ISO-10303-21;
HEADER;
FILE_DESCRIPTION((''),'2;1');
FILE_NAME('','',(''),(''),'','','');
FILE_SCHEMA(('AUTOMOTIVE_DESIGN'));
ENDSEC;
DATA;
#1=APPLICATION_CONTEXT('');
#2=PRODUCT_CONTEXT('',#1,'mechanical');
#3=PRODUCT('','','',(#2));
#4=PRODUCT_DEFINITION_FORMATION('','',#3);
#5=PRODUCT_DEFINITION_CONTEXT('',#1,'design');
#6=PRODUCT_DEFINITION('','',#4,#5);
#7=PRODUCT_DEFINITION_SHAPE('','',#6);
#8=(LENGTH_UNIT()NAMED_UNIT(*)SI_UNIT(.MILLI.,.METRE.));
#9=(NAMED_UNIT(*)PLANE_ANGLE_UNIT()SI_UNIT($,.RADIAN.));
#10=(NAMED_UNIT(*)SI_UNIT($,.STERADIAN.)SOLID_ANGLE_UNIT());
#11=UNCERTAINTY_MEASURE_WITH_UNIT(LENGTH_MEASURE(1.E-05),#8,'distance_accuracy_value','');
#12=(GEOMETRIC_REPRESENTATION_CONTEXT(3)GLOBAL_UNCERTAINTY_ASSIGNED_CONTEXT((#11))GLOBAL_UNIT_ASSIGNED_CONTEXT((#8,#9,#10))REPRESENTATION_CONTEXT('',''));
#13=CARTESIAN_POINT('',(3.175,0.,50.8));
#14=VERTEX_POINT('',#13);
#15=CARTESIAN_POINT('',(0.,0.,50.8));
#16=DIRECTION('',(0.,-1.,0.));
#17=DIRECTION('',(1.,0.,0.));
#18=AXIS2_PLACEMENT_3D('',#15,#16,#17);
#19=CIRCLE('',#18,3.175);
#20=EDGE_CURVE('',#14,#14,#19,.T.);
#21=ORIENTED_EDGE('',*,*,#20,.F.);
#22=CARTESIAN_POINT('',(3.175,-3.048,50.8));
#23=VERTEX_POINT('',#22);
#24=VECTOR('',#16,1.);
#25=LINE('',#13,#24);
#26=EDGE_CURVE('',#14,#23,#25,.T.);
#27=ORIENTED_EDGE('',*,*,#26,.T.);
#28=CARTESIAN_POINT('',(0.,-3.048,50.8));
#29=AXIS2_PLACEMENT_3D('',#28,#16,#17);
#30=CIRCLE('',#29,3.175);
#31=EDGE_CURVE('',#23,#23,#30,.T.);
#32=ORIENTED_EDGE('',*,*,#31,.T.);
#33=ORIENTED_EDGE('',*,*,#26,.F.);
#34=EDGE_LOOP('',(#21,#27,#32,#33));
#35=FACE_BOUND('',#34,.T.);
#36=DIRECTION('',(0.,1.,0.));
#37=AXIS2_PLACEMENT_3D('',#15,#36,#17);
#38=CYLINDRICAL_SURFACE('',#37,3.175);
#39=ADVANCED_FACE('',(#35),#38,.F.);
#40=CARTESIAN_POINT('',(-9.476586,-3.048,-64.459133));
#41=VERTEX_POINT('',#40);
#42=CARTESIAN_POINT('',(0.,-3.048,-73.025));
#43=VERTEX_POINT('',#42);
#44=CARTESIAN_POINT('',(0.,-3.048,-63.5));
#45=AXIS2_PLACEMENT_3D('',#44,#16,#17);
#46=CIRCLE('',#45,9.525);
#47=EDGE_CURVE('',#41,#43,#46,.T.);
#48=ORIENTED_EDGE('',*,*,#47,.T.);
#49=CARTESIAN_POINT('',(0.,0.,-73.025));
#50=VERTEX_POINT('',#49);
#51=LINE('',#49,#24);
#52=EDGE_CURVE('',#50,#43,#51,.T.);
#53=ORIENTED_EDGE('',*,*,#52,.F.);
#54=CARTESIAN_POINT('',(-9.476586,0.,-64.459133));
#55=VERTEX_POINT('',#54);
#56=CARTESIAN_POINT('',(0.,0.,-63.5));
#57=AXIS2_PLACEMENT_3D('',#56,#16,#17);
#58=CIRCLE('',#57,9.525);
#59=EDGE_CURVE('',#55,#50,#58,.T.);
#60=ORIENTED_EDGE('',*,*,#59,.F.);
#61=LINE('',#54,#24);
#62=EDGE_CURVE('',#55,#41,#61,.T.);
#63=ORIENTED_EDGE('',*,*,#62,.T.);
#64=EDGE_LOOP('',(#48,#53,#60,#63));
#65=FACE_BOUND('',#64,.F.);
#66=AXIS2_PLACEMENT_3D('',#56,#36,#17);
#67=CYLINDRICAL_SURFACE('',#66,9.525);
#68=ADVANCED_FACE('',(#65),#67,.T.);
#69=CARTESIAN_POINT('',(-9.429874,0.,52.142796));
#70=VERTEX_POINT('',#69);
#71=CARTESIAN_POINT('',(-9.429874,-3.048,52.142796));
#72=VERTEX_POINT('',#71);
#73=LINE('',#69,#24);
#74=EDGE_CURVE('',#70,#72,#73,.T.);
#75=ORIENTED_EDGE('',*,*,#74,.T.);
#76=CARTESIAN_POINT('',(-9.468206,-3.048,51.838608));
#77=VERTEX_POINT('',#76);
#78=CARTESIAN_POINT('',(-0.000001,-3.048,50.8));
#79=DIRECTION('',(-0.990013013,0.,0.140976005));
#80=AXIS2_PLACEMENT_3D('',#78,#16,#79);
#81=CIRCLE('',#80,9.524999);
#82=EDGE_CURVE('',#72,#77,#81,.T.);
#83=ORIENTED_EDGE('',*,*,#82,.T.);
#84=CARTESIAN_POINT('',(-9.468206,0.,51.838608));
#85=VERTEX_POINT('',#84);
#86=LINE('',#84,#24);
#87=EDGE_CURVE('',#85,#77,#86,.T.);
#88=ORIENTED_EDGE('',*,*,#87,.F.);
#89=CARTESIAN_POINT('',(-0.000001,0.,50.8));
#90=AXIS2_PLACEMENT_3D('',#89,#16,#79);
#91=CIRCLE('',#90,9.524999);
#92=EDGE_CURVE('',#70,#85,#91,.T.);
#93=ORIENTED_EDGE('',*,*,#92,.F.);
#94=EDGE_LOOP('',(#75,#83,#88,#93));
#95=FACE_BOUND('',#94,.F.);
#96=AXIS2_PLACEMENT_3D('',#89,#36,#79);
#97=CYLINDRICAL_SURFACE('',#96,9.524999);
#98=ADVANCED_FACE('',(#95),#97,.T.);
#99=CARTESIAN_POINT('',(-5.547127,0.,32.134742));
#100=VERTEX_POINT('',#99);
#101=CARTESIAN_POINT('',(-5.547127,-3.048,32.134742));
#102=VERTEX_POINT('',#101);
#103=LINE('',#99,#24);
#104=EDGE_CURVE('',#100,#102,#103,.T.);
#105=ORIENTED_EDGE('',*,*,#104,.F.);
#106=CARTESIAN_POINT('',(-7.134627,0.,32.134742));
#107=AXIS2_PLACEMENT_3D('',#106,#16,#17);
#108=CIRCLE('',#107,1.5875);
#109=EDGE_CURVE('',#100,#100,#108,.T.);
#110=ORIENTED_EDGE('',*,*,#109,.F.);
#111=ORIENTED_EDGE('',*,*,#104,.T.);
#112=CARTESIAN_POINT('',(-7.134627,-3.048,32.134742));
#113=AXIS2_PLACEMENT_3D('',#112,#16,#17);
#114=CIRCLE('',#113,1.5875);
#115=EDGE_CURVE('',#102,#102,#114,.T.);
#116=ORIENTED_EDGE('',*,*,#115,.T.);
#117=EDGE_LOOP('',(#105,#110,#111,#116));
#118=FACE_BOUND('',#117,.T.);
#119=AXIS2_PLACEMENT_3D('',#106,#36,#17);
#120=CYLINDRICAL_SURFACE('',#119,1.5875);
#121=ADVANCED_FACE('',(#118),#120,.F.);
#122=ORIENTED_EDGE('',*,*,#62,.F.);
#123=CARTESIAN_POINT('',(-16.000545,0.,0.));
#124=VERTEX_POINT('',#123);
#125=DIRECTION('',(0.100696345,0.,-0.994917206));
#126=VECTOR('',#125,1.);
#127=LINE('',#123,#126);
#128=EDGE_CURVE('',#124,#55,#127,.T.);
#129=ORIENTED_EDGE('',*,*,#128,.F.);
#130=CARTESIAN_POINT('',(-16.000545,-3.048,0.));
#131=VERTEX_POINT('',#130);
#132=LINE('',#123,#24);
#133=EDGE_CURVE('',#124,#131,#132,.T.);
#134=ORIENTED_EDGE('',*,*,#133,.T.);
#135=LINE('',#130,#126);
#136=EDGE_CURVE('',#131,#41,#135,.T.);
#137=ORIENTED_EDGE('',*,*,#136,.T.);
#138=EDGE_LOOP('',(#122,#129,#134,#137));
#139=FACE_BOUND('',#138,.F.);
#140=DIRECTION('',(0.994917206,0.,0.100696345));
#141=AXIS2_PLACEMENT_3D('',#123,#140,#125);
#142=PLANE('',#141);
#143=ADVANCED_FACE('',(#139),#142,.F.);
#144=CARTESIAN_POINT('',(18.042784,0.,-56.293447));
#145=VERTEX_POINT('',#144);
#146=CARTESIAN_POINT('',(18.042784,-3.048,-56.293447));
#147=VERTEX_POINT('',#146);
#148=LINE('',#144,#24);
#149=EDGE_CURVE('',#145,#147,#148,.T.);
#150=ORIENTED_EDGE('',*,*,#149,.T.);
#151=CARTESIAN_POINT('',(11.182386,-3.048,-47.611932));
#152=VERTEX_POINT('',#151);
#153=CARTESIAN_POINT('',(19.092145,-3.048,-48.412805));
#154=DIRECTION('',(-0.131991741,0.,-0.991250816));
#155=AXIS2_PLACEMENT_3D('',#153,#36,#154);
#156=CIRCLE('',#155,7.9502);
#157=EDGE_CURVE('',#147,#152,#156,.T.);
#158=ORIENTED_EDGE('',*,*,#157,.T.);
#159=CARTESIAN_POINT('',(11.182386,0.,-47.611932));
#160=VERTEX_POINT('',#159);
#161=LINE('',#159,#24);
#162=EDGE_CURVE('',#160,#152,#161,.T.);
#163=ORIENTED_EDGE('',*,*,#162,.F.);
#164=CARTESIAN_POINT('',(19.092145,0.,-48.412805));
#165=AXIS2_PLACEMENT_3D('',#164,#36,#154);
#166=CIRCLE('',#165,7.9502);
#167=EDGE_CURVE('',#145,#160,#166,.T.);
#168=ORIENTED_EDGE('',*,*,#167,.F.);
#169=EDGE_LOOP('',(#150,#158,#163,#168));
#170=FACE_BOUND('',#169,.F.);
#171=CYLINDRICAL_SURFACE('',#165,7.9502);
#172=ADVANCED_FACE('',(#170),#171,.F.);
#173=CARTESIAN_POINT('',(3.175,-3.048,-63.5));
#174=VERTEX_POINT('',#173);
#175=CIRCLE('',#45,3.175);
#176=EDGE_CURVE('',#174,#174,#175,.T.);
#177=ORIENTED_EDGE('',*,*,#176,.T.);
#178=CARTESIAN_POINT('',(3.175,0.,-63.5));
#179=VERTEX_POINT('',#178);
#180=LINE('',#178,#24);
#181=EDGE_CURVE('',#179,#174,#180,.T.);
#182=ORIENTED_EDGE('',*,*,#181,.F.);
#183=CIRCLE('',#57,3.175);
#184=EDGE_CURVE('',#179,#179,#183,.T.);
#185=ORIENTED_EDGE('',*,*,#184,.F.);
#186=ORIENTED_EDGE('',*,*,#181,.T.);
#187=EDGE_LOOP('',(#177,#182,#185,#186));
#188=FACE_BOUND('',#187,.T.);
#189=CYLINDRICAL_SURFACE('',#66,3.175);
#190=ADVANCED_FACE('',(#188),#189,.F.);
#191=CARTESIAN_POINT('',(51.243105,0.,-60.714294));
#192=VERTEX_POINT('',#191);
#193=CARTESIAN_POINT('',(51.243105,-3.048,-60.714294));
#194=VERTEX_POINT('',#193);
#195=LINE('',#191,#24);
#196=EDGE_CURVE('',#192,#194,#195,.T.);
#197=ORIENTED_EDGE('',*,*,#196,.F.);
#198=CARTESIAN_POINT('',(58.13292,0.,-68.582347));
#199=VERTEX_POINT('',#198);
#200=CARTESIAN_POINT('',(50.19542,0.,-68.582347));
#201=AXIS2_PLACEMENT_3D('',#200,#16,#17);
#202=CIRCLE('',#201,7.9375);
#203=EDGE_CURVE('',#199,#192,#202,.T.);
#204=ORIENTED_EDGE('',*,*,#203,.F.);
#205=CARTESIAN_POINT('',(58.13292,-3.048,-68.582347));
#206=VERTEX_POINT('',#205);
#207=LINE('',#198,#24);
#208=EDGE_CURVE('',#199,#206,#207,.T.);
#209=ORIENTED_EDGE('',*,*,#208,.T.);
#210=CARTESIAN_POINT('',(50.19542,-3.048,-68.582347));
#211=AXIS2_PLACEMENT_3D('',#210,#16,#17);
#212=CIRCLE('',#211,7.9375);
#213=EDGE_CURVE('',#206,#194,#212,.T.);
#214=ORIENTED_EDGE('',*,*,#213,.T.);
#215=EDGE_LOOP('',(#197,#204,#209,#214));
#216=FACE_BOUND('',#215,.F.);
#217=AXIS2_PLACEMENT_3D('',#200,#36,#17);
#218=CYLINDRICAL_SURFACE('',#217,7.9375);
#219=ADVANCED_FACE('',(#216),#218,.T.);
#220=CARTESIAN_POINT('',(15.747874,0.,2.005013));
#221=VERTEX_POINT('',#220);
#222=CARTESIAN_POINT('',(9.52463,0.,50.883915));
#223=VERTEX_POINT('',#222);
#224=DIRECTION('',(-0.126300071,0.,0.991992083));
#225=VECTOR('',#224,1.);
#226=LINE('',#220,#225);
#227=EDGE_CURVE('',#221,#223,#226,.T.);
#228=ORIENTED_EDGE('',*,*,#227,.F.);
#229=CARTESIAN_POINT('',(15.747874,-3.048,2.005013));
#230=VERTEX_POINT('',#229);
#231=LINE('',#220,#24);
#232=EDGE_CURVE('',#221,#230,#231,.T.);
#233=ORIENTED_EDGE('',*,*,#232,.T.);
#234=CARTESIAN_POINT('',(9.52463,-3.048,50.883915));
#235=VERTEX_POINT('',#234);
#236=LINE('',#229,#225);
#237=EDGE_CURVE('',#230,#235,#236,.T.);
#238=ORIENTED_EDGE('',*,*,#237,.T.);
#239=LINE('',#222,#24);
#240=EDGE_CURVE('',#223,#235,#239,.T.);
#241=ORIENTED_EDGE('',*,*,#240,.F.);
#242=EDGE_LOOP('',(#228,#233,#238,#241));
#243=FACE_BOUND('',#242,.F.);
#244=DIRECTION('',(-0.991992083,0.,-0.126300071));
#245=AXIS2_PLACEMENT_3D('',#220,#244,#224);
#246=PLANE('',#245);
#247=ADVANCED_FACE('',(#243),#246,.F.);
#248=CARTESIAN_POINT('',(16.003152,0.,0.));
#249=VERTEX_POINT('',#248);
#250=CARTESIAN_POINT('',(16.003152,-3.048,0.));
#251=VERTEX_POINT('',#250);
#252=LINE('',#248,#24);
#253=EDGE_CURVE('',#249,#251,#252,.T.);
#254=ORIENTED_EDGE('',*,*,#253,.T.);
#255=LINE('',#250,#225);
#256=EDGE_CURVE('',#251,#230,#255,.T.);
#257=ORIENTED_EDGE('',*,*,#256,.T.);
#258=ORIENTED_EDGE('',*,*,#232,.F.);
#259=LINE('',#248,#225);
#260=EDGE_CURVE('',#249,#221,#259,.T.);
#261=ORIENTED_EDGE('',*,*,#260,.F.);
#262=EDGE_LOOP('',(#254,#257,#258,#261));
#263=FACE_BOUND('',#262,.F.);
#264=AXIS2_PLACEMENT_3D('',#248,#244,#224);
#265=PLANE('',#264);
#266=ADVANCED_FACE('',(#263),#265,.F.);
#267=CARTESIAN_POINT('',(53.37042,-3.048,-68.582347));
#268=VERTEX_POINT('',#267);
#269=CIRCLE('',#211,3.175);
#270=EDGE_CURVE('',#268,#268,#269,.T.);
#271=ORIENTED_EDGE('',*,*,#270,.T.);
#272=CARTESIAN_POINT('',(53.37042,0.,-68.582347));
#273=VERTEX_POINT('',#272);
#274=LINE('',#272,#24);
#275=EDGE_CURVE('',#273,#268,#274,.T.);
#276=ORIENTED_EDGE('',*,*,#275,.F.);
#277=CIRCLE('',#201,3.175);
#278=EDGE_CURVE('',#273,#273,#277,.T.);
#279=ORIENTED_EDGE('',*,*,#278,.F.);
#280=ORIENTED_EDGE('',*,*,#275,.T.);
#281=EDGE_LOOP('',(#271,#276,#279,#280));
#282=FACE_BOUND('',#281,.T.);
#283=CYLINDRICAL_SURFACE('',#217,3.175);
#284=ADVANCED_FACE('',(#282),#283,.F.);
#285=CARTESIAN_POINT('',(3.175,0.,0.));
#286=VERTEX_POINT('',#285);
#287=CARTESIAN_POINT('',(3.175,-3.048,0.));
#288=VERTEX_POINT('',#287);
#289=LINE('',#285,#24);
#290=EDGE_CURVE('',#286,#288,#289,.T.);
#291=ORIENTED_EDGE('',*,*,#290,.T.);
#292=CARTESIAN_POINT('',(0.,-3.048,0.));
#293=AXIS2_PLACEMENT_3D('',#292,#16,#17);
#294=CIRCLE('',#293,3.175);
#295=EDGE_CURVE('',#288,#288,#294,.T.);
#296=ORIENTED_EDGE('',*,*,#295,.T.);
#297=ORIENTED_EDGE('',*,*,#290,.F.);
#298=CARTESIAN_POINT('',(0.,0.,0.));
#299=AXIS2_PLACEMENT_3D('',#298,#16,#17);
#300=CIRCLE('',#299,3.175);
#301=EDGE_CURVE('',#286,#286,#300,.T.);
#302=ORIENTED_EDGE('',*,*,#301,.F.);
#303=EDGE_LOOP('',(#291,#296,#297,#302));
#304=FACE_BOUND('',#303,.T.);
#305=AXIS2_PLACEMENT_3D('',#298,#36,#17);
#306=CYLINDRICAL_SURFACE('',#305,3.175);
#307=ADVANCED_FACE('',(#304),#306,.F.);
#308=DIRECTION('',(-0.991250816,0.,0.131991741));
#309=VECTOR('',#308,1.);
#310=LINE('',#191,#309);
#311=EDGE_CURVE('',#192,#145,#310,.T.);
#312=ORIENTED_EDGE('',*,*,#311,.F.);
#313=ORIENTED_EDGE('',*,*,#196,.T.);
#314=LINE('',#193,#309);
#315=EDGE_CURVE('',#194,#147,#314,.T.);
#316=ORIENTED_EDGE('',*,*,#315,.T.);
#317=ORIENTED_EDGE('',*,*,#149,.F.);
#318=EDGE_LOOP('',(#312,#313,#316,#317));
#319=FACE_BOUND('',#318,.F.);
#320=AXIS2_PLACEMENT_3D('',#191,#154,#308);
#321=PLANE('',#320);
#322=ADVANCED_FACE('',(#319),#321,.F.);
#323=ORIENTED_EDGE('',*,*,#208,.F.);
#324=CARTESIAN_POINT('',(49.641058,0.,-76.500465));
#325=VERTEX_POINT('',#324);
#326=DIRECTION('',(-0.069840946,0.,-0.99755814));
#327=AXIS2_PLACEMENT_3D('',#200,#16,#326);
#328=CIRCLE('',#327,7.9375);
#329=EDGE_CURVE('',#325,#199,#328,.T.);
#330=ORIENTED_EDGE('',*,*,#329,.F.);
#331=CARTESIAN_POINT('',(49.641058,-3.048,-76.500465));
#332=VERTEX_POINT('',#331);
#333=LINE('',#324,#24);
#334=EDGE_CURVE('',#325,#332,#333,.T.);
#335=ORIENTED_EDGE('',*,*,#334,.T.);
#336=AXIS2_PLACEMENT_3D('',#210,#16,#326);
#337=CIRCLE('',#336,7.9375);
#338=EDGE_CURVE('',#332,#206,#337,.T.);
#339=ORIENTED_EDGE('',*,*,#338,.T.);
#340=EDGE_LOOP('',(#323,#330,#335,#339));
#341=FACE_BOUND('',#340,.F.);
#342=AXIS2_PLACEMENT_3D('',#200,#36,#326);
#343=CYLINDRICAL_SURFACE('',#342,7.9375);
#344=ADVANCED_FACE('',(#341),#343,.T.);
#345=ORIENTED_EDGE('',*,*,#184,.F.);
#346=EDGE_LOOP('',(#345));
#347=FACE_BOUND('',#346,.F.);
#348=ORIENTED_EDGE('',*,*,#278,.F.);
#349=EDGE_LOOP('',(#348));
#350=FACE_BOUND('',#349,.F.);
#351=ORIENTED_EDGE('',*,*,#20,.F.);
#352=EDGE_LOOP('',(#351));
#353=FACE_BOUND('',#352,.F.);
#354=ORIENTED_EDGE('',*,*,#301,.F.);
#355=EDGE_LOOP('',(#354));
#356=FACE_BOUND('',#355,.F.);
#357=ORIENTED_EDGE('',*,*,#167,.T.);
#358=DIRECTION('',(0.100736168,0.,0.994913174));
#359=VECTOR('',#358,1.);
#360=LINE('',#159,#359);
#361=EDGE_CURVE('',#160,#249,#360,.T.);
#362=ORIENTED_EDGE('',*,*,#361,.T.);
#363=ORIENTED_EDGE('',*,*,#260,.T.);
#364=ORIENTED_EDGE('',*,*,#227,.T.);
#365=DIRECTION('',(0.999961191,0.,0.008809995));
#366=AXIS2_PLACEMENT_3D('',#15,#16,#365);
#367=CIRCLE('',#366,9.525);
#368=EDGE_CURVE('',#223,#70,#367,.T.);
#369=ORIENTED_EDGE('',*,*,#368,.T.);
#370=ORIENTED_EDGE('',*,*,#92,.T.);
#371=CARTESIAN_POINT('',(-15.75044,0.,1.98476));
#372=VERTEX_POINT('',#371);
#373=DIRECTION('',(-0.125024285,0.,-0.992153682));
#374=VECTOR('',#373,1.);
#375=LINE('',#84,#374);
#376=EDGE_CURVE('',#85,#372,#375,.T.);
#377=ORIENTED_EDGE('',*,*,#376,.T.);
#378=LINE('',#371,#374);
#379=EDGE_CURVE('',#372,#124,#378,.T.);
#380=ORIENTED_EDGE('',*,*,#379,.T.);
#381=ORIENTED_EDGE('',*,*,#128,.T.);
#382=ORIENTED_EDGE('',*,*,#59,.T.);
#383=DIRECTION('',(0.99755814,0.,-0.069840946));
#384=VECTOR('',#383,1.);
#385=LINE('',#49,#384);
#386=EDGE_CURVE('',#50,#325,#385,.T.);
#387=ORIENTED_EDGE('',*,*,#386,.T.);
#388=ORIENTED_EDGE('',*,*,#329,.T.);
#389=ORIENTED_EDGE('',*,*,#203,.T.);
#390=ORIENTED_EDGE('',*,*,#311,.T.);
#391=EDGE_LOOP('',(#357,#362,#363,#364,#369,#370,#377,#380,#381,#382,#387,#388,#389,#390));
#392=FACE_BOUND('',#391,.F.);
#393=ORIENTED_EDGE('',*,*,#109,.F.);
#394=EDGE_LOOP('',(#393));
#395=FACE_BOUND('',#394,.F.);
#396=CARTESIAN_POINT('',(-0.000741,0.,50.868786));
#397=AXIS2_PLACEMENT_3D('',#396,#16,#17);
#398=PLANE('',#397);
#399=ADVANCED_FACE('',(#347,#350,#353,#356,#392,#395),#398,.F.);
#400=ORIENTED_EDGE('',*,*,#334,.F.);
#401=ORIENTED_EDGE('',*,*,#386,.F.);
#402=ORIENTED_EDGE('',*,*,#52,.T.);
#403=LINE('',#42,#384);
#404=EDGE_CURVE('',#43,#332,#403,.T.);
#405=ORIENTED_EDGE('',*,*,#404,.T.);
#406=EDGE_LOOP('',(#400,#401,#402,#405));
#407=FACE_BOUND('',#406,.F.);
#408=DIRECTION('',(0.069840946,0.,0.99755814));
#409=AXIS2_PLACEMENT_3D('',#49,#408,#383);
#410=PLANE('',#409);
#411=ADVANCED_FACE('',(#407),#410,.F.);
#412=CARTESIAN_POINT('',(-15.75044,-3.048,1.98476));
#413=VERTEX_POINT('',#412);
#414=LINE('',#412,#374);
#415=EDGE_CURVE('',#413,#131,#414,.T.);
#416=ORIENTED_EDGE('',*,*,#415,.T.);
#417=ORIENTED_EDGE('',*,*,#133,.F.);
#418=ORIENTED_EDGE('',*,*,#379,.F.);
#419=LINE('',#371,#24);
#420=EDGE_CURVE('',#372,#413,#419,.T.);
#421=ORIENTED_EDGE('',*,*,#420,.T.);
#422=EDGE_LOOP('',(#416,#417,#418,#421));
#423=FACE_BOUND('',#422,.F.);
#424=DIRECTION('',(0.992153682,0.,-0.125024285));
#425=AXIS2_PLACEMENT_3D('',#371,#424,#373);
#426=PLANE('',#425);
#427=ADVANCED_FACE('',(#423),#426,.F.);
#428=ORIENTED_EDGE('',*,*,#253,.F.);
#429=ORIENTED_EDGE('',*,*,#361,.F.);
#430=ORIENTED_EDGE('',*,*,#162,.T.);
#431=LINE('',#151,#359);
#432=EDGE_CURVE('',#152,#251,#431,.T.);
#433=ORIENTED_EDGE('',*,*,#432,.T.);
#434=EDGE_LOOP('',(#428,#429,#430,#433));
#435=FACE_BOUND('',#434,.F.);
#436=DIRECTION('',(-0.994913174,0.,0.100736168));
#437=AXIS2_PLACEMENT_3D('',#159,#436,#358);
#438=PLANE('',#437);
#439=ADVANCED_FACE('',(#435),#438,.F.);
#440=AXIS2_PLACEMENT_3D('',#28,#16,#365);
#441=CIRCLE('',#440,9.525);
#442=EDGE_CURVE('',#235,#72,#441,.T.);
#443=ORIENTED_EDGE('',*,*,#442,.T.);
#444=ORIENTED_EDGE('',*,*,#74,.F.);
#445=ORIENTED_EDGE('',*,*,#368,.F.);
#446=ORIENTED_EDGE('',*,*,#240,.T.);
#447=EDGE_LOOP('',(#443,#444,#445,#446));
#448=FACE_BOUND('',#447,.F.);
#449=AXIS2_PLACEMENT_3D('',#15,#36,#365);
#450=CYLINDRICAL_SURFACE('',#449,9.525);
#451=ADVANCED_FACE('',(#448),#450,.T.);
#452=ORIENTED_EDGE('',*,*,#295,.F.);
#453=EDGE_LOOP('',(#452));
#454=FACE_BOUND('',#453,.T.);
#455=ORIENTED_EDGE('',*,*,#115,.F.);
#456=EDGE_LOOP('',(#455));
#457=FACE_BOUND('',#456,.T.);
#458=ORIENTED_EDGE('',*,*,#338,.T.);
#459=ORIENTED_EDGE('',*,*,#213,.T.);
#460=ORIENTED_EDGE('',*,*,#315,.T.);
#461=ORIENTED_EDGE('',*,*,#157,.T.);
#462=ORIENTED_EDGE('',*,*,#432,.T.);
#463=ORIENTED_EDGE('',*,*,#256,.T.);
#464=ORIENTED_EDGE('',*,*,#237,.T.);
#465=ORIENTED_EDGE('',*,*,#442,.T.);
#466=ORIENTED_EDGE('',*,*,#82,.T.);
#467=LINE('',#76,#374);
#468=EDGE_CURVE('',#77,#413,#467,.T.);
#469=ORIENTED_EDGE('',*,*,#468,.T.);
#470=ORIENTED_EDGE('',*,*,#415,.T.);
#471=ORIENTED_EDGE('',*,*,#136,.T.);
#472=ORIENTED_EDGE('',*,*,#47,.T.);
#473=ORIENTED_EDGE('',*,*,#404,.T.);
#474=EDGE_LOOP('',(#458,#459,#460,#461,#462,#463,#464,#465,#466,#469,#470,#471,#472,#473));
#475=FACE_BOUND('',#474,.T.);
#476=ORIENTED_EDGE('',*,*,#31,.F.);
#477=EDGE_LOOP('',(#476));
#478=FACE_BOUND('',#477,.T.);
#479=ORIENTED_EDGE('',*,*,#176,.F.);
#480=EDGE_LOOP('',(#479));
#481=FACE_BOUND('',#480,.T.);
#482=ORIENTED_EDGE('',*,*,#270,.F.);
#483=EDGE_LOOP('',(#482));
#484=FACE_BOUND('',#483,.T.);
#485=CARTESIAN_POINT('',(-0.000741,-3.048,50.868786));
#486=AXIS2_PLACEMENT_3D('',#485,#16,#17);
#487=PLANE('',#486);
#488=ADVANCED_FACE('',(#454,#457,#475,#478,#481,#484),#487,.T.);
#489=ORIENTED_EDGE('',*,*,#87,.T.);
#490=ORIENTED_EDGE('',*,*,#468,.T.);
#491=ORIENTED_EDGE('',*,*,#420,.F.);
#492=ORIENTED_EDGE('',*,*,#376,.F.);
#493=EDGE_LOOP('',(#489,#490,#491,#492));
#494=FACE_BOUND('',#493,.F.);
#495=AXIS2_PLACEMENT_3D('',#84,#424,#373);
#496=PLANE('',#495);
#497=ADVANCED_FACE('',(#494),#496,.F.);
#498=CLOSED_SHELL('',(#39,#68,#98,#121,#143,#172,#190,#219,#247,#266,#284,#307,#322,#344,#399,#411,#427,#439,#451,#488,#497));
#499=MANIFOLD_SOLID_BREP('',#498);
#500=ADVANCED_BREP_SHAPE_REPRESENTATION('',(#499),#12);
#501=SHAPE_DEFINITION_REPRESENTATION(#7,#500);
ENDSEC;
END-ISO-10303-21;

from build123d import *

# Parameters (mm, degrees)
F0_R     = 3.175
F0_R_2   = 1.5875
F1_DEPTH = 3.048


with BuildPart() as f1:
    # F0 (on Front) → F1 (new body)
    with BuildSketch(Plane.XZ):
        with BuildLine():
            ThreePointArc((-9.468205692, 51.8386077092), (-0.5200796975, 41.2892091755), (9.525, 50.8))
            ThreePointArc((9.525, 50.8), (9.5249075862, 50.8419580096), (9.5246303465, 50.883915205))
            ThreePointArc((9.5246303465, 50.883915205), (0.6312211854, 60.3040614905), (-9.4298739503, 52.1427964405))
            Line((-9.4298739503, 52.1427964405), (-9.468205692, 51.8386077092))
        make_face()
        with Locations((0, 50.8)):
            Circle(F0_R, mode=Mode.SUBTRACT)
        with BuildLine():
            ThreePointArc((9.5246303465, 50.883915205), (9.5249075862, 50.8419580096), (9.525, 50.8))
            ThreePointArc((9.525, 50.8), (-0.5200796975, 41.2892091755), (-9.468205692, 51.8386077092))
            Line((-9.468205692, 51.8386077092), (-15.7504397323, 1.984760247))
            ThreePointArc((-15.7504397323, 1.984760247), (-0.0102074651, 15.8749967184), (15.7478743476, 2.0050133499))
            Line((15.7478743476, 2.0050133499), (9.5246303465, 50.883915205))
        make_face()
        with Locations((-7.1346270852, 32.1347415447)):
            Circle(F0_R_2, mode=Mode.SUBTRACT)
        with BuildLine():
            ThreePointArc((-9.4298739503, 52.1427964405), (-9.4502638185, 51.9908563145), (-9.468205692, 51.8386077092))
            Line((-9.468205692, 51.8386077092), (-9.4298739503, 52.1427964405))
        make_face()
        with BuildLine():
            Line((16.0031519178, 0), (15.7478743476, 2.0050133499))
            ThreePointArc((15.7478743476, 2.0050133499), (15.8431867102, 1.0045197191), (15.875, 0))
            ThreePointArc((15.875, 0), (-0.994332502, -15.8438293312), (-15.7504397323, 1.984760247))
            Line((-15.7504397323, 1.984760247), (-16.0005453715, 0))
            Line((-16.0005453715, 0), (-9.4765863841, -64.4591326836))
            ThreePointArc((-9.4765863841, -64.4591326836), (-0.48017689, -53.9871111037), (9.525, -63.5))
            ThreePointArc((9.525, -63.5), (6.7351920908, -70.2351920908), (0, -73.025))
            Line((0, -73.025), (49.6410576331, -76.5004650301))
            ThreePointArc((49.6410576331, -76.5004650301), (42.2984814303, -67.7809327821), (51.2431045884, -60.7142939434))
            Line((51.2431045884, -60.7142939434), (18.0427839058, -56.2934470055))
            ThreePointArc((18.0427839058, -56.2934470055), (12.8544663363, -53.3420084904), (11.182385928, -47.6119320844))
            Line((11.182385928, -47.6119320844), (16.0031519178, 0))
        make_face()
        with BuildLine():
            ThreePointArc((15.875, 0), (15.8431867102, 1.0045197191), (15.7478743476, 2.0050133499))
            ThreePointArc((15.7478743476, 2.0050133499), (-0.0102074651, 15.8749967184), (-15.7504397323, 1.984760247))
            ThreePointArc((-15.7504397323, 1.984760247), (-0.994332502, -15.8438293312), (15.875, 0))
        make_face()
        Circle(F0_R, mode=Mode.SUBTRACT)
        with BuildLine():
            ThreePointArc((9.525, -63.5), (-0.48017689, -53.9871111037), (-9.4765863841, -64.4591326836))
            ThreePointArc((-9.4765863841, -64.4591326836), (-6.3870919122, -70.5661645824), (0, -73.025))
            ThreePointArc((0, -73.025), (6.7351920908, -70.2351920908), (9.525, -63.5))
        make_face()
        with Locations((0, -63.5)):
            Circle(F0_R, mode=Mode.SUBTRACT)
        with BuildLine():
            ThreePointArc((58.1329201428, -68.5823472956), (56.1670154714, -63.353202482), (51.2431045884, -60.7142939434))
            ThreePointArc((51.2431045884, -60.7142939434), (42.2984814303, -67.7809327821), (49.6410576331, -76.5004650301))
            ThreePointArc((49.6410576331, -76.5004650301), (55.6085363354, -74.3876964957), (58.1329201428, -68.5823472956))
        make_face()
        with Locations((50.1954201428, -68.5823472956)):
            Circle(F0_R, mode=Mode.SUBTRACT)
    extrude(amount=F1_DEPTH)


solid = f1.part
